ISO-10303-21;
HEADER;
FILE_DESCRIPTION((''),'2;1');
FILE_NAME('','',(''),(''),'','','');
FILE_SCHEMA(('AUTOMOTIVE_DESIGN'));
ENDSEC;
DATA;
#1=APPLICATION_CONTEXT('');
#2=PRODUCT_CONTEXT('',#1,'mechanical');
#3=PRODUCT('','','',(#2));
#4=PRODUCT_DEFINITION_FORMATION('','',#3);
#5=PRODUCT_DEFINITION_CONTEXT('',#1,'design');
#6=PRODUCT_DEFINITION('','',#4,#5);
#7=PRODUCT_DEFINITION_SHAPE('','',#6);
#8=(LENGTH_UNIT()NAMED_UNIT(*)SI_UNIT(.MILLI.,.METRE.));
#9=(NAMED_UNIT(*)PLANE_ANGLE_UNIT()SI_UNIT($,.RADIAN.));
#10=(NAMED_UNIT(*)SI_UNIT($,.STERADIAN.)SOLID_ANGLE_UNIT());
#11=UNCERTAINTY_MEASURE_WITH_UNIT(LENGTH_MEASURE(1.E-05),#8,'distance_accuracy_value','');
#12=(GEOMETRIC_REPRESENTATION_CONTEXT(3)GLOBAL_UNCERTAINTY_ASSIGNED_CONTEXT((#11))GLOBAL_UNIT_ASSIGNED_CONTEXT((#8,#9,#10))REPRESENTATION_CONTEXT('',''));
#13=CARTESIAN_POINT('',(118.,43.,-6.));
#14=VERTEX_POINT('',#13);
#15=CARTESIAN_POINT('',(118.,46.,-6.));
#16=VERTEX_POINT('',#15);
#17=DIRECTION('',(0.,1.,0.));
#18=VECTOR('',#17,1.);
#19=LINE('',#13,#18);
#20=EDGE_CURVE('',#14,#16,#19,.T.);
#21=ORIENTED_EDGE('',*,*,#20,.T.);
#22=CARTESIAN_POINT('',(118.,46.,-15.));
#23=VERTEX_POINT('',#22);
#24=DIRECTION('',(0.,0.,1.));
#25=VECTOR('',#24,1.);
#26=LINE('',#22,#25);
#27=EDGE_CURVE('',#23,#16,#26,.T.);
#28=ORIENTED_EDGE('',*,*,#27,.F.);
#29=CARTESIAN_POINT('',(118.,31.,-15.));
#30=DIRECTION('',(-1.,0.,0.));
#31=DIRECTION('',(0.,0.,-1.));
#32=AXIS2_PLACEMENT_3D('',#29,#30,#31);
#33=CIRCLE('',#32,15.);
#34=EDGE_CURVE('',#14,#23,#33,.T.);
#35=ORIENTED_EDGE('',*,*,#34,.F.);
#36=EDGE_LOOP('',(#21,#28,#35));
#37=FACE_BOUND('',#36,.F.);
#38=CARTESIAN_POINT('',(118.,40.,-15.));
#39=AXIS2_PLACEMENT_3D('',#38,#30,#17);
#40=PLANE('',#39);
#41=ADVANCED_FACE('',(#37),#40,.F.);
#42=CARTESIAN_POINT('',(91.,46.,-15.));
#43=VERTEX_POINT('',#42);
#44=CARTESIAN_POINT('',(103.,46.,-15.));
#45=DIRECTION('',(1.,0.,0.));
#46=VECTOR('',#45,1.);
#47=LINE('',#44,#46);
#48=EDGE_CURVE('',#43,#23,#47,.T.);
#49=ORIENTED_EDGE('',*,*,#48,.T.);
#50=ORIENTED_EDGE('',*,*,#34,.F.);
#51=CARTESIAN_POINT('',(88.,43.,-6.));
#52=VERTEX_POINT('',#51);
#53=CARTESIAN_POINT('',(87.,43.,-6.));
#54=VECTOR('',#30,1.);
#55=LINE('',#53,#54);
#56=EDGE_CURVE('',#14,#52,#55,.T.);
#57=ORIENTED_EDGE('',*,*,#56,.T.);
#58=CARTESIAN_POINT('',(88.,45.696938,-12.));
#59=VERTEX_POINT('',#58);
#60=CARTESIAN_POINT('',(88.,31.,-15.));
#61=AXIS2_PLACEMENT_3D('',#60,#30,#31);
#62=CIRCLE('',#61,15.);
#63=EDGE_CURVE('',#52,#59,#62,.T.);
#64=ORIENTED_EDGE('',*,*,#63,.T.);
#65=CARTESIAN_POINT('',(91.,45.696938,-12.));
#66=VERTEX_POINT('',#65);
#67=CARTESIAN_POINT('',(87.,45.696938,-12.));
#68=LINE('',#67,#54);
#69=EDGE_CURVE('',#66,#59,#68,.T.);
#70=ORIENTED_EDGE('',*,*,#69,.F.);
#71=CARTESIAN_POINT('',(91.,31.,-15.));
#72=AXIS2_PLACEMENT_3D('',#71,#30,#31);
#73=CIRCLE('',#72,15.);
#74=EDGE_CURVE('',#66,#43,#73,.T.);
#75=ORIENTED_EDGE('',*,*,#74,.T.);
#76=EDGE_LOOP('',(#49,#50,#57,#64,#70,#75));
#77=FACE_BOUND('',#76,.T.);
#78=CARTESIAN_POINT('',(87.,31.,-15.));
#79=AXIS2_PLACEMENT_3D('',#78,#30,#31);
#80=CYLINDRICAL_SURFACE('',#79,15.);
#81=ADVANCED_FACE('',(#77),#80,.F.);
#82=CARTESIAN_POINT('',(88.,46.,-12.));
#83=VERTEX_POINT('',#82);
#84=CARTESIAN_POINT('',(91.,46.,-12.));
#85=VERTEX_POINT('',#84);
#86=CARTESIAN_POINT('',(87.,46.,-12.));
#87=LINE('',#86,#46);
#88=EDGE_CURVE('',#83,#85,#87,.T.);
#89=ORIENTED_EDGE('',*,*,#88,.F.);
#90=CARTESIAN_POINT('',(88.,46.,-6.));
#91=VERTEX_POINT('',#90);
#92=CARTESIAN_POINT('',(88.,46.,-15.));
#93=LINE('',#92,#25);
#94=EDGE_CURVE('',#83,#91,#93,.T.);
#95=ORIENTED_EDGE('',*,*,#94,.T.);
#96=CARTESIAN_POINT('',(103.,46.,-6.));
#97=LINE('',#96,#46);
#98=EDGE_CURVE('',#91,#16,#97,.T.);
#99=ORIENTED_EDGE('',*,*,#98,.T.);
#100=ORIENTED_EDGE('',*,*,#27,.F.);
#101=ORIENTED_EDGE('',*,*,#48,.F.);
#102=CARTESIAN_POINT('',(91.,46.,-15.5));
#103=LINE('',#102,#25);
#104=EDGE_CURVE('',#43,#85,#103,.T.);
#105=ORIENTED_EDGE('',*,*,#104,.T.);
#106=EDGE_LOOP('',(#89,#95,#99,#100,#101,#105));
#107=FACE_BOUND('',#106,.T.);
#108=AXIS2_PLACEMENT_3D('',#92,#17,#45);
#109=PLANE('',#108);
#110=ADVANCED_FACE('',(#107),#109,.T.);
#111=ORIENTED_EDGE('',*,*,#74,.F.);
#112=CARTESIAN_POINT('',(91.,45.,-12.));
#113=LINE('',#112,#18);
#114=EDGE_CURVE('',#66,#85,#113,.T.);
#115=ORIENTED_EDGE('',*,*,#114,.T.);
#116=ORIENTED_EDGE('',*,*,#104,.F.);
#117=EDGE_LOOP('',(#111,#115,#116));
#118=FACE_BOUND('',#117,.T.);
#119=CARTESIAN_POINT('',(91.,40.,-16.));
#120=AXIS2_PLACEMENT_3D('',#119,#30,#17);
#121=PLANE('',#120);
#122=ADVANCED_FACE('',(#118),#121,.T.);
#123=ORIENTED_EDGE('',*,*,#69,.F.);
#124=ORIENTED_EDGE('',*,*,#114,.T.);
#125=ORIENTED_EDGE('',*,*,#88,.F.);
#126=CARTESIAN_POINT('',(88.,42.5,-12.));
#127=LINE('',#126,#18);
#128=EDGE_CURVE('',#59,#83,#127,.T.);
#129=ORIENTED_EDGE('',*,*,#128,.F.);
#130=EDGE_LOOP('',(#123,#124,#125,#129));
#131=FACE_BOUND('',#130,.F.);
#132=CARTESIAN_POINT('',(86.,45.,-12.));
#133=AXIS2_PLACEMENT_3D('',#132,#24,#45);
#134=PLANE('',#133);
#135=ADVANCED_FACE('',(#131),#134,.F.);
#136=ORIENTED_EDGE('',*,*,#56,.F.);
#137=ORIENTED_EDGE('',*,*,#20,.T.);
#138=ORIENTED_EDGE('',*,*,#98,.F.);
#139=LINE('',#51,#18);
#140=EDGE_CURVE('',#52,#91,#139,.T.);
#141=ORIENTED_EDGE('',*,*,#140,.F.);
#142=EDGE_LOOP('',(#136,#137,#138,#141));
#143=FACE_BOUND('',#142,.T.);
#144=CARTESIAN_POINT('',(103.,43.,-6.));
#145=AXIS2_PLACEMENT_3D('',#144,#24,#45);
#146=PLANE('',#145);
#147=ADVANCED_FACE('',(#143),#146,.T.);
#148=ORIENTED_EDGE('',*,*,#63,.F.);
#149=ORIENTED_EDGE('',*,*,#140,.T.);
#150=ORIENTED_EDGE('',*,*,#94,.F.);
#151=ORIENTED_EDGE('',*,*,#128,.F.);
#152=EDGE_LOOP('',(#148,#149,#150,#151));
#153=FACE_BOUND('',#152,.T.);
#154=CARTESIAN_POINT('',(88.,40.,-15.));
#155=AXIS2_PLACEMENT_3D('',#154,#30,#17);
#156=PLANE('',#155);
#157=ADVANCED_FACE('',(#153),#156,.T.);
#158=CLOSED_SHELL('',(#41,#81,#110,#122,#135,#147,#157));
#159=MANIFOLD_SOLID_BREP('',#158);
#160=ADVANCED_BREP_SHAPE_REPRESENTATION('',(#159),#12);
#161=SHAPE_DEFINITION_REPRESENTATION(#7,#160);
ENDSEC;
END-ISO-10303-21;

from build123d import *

# Parameters (mm, degrees)
BOX231_W          = 10
BOX231_H          = 10
BOX231_DEPTH      = 4
CYLINDER041_R     = 15
CYLINDER041_DEPTH = 32
BOX072_W          = 30
BOX072_H          = 6
BOX072_DEPTH      = 9


with BuildPart() as cube219:
    # Box231 → Box231 (new body)
    with BuildSketch(Plane(origin=(81, 40, -16), x_dir=(1, 0, 0), z_dir=(0, 0, 1))):
        with Locations((5, 5)):
            Rectangle(BOX231_W, BOX231_H)
    extrude(amount=BOX231_DEPTH)


with BuildPart() as cylinder128:
    # Cylinder041 → Cylinder041 (new body)
    with BuildSketch(Plane(origin=(0, 31, -15), x_dir=(0, 0, -1), z_dir=(1, 0, 0))):
        Circle(CYLINDER041_R)
    extrude(amount=CYLINDER041_DEPTH)


with BuildPart() as cut124:
    # Box072 → Box072 (new body)
    with BuildSketch(Plane(origin=(1, 40, -15), x_dir=(1, 0, 0), z_dir=(0, 0, 1))):
        with Locations((15, 3)):
            Rectangle(BOX072_W, BOX072_H)
    extrude(amount=BOX072_DEPTH)

    # Cut123: cut Cylinder128
    add(cylinder128.part, mode=Mode.SUBTRACT)


with BuildPart() as cut124_1:
    # Cut123 placement: moved
    add(cut124.part.moved(Location((87, 0, 0))))

    # Cut124: cut Cube219
    add(cube219.part, mode=Mode.SUBTRACT)


solid = cut124_1.part
